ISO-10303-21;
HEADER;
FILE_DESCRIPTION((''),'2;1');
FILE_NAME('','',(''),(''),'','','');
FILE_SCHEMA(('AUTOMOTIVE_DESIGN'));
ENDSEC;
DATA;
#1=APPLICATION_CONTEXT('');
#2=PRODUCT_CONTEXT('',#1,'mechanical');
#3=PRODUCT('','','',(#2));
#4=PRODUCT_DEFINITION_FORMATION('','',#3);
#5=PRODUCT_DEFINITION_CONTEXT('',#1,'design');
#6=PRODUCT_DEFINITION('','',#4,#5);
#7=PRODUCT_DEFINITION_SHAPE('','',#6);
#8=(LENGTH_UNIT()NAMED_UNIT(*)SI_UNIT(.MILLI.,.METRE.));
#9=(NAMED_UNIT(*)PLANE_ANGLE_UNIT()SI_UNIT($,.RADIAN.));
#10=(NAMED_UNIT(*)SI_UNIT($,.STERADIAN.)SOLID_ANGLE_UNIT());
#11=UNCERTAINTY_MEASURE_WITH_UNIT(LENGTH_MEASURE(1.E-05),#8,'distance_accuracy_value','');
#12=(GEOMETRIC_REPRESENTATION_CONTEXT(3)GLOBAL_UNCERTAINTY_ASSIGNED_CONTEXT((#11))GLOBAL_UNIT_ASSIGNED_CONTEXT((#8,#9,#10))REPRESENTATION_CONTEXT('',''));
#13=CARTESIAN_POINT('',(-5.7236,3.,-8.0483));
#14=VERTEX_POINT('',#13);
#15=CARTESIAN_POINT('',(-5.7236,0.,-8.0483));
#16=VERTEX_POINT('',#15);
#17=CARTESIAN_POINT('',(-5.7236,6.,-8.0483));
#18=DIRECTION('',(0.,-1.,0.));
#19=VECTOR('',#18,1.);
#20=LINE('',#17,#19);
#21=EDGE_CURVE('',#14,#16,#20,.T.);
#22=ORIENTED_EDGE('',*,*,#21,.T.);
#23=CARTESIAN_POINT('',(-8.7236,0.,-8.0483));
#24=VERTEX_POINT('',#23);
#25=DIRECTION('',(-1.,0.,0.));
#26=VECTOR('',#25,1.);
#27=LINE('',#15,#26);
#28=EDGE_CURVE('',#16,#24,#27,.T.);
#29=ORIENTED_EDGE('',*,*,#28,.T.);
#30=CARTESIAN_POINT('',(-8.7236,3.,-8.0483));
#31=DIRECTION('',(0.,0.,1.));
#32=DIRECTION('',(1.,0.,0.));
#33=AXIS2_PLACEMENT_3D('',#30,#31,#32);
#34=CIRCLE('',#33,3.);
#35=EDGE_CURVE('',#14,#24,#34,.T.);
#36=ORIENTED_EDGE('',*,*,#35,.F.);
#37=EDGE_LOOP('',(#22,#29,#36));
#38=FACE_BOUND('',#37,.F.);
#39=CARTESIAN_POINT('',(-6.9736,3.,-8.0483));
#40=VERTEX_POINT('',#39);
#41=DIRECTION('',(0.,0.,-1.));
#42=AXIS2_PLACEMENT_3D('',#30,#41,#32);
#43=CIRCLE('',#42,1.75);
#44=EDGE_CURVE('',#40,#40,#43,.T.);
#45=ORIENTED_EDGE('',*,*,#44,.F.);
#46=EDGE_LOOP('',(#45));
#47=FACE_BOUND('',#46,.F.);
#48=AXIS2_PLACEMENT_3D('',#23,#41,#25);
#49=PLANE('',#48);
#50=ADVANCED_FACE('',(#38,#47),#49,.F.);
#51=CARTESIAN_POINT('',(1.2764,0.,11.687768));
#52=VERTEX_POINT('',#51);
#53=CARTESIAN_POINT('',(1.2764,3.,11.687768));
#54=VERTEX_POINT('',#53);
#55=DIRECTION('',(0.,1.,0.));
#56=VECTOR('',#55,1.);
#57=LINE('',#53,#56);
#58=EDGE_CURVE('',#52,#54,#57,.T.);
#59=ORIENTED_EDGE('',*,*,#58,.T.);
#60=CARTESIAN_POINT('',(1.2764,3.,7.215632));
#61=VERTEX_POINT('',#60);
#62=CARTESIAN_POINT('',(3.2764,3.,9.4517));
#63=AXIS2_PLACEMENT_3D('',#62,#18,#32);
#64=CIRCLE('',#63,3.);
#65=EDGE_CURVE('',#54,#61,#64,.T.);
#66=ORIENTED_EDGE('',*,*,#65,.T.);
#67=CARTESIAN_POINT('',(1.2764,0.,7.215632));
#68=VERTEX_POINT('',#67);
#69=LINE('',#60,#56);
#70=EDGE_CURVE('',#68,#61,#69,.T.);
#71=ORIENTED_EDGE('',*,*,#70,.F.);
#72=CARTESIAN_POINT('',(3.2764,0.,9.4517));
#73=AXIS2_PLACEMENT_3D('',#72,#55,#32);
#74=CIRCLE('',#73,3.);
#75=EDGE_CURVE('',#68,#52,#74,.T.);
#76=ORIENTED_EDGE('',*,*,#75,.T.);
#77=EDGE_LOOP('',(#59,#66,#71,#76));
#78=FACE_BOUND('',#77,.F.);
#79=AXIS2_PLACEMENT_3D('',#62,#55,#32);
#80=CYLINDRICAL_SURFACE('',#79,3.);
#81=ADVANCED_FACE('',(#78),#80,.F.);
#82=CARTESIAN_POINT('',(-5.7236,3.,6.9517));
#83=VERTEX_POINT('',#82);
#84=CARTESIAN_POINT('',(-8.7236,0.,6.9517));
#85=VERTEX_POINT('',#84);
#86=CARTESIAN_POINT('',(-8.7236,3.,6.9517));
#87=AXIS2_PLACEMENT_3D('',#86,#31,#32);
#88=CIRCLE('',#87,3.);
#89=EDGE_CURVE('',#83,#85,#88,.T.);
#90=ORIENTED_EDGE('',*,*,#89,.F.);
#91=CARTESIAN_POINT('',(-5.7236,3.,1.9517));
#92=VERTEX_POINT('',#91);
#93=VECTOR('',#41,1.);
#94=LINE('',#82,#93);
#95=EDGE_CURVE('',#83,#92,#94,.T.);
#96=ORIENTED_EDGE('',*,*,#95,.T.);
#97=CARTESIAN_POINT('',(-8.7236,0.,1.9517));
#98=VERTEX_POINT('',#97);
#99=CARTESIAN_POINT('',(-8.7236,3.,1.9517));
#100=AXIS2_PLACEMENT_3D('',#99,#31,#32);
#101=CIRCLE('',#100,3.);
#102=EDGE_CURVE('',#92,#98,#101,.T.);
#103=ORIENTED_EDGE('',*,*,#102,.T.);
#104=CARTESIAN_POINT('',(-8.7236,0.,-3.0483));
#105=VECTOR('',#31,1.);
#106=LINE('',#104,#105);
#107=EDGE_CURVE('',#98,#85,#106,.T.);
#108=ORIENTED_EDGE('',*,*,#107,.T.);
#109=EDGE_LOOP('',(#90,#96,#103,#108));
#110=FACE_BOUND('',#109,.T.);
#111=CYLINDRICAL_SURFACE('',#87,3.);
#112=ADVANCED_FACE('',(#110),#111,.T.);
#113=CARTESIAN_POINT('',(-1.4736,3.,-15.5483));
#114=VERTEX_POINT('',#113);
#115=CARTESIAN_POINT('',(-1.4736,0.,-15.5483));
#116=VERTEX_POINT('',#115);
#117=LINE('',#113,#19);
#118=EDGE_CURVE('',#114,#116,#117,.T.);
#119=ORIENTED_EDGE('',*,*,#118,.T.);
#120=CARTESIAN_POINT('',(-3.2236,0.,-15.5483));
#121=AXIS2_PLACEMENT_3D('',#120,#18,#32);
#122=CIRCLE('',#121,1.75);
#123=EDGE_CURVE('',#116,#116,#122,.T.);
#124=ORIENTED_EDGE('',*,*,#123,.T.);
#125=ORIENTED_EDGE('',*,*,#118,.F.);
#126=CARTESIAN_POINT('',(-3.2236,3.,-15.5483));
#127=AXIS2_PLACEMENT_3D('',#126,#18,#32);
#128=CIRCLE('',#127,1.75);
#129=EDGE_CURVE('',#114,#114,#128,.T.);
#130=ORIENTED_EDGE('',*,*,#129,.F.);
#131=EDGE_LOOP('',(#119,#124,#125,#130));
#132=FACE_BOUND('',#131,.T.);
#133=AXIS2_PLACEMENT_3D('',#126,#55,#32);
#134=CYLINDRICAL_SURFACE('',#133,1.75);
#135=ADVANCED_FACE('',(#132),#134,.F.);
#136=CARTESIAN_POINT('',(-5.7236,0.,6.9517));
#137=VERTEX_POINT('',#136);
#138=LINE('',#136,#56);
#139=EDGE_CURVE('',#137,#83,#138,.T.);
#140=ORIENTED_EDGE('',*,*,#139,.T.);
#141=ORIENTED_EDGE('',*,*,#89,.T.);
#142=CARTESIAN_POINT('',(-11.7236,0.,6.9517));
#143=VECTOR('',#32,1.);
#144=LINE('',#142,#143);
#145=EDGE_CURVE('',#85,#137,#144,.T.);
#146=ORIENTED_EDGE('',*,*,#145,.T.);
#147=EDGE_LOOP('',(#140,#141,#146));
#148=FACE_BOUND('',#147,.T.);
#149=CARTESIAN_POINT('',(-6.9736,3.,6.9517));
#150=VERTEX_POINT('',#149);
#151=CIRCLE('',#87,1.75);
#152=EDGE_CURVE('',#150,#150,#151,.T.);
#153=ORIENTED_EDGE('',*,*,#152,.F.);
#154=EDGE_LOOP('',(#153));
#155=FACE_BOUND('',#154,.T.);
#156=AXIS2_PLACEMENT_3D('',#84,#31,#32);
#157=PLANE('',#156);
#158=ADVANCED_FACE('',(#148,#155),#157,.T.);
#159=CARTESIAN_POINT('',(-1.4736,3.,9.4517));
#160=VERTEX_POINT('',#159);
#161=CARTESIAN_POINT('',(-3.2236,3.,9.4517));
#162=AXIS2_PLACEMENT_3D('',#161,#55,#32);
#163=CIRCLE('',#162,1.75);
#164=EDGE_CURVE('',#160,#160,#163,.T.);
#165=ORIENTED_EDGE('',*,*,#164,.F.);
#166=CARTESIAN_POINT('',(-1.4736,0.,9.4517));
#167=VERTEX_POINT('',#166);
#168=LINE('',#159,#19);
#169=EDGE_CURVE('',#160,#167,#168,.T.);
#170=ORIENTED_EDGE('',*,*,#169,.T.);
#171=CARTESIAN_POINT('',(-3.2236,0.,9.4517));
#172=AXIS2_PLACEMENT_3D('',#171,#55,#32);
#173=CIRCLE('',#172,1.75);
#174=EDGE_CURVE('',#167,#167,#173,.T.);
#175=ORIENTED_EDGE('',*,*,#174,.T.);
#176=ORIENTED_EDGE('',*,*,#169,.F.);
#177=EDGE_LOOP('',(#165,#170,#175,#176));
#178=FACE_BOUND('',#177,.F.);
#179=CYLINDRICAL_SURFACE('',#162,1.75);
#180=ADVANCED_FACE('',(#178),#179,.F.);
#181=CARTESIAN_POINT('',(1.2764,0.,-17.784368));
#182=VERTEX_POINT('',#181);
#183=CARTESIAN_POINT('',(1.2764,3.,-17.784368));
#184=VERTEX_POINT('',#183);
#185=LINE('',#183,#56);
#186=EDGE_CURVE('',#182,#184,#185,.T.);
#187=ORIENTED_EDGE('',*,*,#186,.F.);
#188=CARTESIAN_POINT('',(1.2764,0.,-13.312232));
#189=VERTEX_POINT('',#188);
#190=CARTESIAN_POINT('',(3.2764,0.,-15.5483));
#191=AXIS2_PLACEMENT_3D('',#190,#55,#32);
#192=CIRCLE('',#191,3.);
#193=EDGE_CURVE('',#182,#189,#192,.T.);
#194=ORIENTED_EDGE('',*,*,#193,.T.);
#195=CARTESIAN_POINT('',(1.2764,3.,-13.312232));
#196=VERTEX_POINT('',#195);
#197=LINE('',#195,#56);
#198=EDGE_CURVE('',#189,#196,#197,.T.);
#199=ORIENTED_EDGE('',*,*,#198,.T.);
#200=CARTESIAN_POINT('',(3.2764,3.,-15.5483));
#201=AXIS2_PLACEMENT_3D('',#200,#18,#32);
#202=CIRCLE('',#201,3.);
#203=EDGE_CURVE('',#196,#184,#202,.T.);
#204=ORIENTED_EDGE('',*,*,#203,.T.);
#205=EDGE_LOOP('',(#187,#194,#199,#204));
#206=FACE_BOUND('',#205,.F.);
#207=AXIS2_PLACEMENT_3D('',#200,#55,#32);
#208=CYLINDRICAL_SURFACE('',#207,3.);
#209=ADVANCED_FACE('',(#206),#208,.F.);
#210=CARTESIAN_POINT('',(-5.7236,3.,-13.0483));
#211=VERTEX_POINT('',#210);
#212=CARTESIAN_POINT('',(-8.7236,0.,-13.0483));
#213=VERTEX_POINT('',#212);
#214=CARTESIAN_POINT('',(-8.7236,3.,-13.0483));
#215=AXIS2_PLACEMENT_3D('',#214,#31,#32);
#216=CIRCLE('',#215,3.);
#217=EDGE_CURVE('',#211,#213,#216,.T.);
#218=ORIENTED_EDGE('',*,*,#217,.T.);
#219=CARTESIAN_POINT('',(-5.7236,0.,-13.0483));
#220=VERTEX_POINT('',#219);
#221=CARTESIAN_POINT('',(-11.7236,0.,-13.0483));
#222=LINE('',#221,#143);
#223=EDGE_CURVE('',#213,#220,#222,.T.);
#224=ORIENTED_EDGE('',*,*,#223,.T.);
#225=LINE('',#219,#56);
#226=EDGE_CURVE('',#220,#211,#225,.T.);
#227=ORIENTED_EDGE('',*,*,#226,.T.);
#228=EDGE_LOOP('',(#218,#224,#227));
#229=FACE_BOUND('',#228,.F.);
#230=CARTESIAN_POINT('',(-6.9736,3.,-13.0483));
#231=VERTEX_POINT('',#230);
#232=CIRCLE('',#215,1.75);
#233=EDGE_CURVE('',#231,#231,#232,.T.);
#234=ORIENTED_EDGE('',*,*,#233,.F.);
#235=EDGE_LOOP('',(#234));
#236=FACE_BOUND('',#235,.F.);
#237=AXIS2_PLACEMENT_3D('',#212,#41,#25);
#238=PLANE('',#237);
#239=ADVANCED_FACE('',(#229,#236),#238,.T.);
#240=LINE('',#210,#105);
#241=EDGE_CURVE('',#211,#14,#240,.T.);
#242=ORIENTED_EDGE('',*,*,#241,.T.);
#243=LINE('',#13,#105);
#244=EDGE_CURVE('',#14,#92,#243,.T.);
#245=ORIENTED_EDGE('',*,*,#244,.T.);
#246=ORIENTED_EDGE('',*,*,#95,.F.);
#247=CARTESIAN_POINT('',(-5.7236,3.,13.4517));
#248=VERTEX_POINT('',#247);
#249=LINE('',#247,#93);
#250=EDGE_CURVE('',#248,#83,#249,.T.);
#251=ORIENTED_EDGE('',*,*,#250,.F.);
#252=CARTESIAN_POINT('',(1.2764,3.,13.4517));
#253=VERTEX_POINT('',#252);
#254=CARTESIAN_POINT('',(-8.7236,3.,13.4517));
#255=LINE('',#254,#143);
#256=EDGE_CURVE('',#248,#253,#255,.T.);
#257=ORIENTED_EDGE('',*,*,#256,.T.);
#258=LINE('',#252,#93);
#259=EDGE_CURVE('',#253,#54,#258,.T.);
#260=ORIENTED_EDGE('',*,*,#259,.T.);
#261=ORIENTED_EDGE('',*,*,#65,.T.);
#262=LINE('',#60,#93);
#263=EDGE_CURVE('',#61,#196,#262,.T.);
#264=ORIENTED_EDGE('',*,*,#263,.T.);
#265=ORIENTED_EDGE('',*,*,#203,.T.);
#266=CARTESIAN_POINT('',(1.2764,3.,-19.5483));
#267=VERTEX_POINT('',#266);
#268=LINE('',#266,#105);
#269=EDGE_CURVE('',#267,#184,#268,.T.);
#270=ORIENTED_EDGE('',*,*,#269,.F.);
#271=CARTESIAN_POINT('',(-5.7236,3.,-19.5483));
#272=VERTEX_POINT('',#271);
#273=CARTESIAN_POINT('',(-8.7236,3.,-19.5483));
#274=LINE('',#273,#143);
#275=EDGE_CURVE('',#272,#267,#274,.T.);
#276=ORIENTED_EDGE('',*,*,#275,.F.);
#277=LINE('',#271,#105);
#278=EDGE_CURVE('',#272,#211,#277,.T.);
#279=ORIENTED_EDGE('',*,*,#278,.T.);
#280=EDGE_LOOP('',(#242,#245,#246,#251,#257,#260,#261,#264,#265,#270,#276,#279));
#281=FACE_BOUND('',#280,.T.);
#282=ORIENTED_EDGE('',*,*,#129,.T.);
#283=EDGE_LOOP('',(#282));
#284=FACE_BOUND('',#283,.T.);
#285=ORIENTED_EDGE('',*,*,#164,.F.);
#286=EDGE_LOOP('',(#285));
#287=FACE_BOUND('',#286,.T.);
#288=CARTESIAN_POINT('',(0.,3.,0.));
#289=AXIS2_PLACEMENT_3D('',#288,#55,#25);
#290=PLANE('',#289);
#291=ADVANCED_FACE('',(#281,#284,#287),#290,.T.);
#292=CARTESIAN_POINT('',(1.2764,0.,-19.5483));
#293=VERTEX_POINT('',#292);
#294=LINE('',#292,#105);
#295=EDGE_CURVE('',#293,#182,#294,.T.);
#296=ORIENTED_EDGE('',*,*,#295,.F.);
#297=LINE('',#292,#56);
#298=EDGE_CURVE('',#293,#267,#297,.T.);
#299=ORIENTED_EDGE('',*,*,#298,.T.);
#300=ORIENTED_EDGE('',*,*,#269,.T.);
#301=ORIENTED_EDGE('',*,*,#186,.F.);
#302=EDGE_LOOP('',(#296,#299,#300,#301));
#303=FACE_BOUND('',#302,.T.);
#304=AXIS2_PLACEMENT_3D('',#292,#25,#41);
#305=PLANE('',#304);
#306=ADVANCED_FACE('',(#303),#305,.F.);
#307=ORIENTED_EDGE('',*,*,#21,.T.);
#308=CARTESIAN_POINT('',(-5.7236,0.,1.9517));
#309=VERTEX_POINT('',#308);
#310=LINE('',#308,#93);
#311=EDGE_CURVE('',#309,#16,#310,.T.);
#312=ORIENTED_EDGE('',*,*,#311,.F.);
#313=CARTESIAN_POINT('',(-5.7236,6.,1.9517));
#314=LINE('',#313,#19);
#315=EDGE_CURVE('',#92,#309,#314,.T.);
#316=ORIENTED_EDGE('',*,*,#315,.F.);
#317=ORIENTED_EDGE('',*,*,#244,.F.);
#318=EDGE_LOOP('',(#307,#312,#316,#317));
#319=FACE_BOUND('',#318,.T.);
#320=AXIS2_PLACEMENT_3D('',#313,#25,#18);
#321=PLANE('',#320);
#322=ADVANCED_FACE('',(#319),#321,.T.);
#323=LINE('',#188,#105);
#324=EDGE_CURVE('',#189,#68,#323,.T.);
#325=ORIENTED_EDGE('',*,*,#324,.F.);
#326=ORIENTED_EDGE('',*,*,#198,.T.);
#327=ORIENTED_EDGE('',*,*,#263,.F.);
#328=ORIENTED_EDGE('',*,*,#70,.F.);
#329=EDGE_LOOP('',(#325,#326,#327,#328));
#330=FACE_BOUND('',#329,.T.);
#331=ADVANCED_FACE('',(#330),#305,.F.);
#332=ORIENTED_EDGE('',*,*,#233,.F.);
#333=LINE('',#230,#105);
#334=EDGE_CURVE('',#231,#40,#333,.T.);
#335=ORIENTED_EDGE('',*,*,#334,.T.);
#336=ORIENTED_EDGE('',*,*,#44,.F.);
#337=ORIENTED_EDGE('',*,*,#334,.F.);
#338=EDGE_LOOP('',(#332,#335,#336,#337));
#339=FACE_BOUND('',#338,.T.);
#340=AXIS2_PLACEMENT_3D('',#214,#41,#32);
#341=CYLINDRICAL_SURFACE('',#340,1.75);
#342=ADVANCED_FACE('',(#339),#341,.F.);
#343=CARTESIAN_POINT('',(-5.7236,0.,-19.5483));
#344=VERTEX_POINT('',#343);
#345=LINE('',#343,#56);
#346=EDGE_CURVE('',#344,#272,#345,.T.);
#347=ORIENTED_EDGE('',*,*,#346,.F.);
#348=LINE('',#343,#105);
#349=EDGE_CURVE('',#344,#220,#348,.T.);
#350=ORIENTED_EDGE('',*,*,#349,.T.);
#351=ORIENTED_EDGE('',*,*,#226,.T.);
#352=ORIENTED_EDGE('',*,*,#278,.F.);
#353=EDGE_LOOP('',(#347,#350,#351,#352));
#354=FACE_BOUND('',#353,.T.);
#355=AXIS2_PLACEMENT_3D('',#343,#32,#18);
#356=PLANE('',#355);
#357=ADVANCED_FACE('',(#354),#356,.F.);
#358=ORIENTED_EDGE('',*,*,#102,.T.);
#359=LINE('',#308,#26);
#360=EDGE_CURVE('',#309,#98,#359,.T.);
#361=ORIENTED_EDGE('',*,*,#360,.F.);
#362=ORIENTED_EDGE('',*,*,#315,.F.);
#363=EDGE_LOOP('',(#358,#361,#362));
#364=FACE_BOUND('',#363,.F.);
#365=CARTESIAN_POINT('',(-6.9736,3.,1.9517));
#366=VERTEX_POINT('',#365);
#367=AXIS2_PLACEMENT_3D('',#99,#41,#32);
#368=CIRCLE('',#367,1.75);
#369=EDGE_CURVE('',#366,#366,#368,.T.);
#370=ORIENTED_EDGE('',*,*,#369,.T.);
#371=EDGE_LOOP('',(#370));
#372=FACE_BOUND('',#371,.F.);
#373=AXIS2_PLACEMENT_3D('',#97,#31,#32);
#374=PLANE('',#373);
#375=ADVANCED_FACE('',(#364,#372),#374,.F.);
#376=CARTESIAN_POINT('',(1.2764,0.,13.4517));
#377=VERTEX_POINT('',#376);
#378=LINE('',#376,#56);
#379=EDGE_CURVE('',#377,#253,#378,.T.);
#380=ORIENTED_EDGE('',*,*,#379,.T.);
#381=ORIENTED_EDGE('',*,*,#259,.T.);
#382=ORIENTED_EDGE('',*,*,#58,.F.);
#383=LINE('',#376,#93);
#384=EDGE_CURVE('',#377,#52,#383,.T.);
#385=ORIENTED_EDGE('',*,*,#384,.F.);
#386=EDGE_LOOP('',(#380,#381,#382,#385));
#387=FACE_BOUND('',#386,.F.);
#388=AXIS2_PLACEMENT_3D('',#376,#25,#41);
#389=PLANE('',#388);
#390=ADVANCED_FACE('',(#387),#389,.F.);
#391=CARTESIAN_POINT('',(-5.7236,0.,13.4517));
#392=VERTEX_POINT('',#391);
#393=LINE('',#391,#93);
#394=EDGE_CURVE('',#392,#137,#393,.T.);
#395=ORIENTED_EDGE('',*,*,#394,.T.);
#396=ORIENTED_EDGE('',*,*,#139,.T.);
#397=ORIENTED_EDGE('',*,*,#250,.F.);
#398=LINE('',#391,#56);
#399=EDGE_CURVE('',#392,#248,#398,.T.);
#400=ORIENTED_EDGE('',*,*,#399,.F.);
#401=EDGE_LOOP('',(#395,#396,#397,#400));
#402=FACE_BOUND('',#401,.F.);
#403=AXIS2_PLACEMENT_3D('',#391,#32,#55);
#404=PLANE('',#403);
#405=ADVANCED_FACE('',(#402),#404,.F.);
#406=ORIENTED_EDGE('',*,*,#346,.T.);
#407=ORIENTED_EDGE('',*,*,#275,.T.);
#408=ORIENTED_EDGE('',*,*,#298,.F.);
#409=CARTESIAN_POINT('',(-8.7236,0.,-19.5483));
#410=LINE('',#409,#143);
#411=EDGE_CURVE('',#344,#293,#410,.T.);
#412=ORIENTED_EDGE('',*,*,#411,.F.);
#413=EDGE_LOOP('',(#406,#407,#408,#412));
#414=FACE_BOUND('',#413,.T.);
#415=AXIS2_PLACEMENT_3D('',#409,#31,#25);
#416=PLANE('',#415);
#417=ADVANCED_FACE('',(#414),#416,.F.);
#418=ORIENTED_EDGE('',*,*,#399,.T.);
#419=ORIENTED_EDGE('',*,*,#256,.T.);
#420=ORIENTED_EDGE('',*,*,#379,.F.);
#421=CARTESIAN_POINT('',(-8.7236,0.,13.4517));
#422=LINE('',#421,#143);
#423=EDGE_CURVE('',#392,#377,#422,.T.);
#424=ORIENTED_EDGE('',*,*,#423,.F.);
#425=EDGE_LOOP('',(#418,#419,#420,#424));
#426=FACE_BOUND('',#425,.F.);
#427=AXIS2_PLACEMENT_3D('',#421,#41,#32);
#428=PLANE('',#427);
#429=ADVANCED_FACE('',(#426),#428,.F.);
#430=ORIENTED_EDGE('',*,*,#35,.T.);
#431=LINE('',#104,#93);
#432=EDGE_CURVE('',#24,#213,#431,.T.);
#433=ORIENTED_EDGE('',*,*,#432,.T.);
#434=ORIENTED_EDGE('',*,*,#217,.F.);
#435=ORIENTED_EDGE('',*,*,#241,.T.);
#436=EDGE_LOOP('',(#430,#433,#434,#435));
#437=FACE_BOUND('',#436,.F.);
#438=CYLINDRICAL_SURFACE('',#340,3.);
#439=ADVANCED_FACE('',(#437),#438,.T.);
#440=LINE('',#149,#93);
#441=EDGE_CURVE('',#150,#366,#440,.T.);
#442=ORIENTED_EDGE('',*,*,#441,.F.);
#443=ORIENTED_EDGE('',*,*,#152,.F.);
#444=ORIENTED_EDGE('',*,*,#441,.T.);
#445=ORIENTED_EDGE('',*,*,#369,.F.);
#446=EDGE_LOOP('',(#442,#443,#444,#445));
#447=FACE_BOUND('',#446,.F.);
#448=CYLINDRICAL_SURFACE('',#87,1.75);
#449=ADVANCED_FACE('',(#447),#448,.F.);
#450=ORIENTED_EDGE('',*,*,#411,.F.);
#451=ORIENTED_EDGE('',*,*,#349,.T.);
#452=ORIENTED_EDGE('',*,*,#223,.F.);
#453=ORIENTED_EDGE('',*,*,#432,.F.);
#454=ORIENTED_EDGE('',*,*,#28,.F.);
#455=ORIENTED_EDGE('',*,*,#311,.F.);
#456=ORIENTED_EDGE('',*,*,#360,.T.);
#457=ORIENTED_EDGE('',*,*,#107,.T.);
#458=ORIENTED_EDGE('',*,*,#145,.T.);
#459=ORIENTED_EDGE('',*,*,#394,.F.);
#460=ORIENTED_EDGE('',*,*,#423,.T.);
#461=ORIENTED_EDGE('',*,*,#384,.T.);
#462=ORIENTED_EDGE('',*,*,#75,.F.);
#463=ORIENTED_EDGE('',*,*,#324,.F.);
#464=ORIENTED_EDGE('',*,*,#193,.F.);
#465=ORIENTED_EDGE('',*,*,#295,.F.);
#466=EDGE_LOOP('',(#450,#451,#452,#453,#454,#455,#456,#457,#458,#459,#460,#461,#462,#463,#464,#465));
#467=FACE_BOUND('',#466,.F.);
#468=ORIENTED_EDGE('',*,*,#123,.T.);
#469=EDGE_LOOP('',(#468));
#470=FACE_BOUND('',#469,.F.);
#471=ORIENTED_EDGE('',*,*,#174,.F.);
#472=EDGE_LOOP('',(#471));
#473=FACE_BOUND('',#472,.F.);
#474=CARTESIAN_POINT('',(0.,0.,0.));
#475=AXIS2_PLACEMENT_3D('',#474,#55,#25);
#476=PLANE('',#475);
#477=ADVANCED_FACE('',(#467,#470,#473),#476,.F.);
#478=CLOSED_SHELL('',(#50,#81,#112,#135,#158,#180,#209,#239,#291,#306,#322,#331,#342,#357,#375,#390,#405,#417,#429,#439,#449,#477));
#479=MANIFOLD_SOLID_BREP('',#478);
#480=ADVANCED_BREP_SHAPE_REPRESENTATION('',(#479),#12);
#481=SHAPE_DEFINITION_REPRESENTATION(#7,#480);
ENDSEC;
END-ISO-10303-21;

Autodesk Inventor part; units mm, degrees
ref_plane "YZ Plane" through (0, 0, 0) normal (1, 0, 0) x (0, 1, 0)
ref_plane "XZ Plane" through (0, 0, 0) normal (0, 1, 0) x (-1, 0, 0)
ref_plane "XY Plane" through (0, 0, 0) normal (0, 0, 1) x (1, 0, 0)
sketch "Sketch2" plane through (0, 0, 0) normal (0, 1, 0) x (-1, 0, 0)
  line L0 (8.7236, 13.4517) -> (-1.2764, 13.4517)
  line L1 (-1.2764, 13.4517) -> (-1.2764, -3.0483)
  line L2 (-1.2764, -3.0483) -> (8.7236, -3.0483)
  line L3 (8.7236, -3.0483) -> (8.7236, 13.4517)
  point P0 (0, 0)
  dimension "d2" = 10
  dimension "d3" = 16.5
extrude "Extrusion1" add sketch "Sketch2" along normal blind 3
ref_plane "Work Plane1" through (-8.7236, 0, 6.9517) normal (0, 0, 1) x (1, 0, 0)
sketch "Sketch5" plane through (-8.7236, 0, 13.4517) normal (0, 0, 1) x (1, 0, 0)
  line L0 (0, 3) -> (10, 3) projected
  line L1 (-3, 0) -> (3, 0)
  line L2 (3, 0) -> (3, 6)
  line L3 (3, 6) -> (-3, 6)
  line L4 (-3, 6) -> (-3, 0)
  line L5 (0, 0) -> (10, 0) projected
  point P0 (8.7236, 0)
  dimension "d41" = 6
  dimension "d42" = 6
  dimension "d43" = 3
extrude "Extrusion4" cut sketch "Sketch5" against normal blind 6.5
sketch "Sketch6" plane through (-8.7236, 0, 6.9517) normal (0, 0, 1) x (1, 0, 0)
  circle A0 centre (0, 3) radius 3
  arc A1 (0, 0) -> (3, 3) centre (0, 3) ccw projected
  point P0 (8.7236, 0)
  point P1 (0, 0.5)
  dimension "d16" = 6
extrude "Extrusion5" add sketch "Sketch6" against normal blind 5
sketch "Sketch7" plane through (-8.7236, 0, 6.9517) normal (0, 0, 1) x (1, 0, 0)
  arc A0 (3, 3) -> (0, 0) centre (0, 3) ccw projected
  circle A1 centre (0, 3) radius 1.75
  line L0 (3, 0) -> (0, 0) projected
  line L1 (3, 3) -> (3, 0) projected
  point P0 (8.7236, 0)
  dimension "d20" = 3.5
extrude "Extrusion6" cut sketch "Sketch7" against normal up to next contours A1
sketch "Sketch9" plane through (0, 3, 0) normal (0, 1, 0) x (1, 0, 0)
  circle A0 centre (-3.2236, -9.4517) radius 1.75
  line L0 (1.2764, -13.4517) -> (1.2764, 3.0483) projected
  line L1 (-5.7236, -13.4517) -> (1.2764, -13.4517) projected
  point P0 (0, 0)
  dimension "d28" = 3.5
  dimension "d29" = 4.5
  dimension "d30" = 4
extrude "Extrusion8" cut sketch "Sketch9" against normal up to next
mirror "Mirror2" about plane through (1.2764, 0, -3.0483) normal (0, 0, -1)
sketch "Sketch10" plane through (0, 3, 0) normal (0, 1, 0) x (1, 0, 0)
  circle A0 centre (3.2764, -9.4517) radius 3
  circle A1 centre (3.2764, 15.5483) radius 3
  line L0 (1.2764, -13.4517) -> (1.2764, 19.5483) projected
  point P0 (0, 0)
  dimension "d33" = 6
  dimension "d34" = 6
  dimension "d35" = 2
  dimension "d36" = 4
  dimension "d37" = 4
  dimension "d40" = 2
extrude "Extrusion9" cut sketch "Sketch10" against normal through all
sketch "Sketch11" plane through (-8.7236, 0, 1.9517) normal (0, 0, -1) x (-1, 0, 0)
  line L0 (-3, 0) -> (-10, 0) projected
  line L1 (-3, 0) -> (3, 0)
  line L2 (3, 0) -> (3, 6)
  line L3 (3, 6) -> (-3, 6)
  line L4 (-3, 6) -> (-3, 0)
  point P0 (-8.7236, 0)
  dimension "d44" = 6
  dimension "d45" = 6
extrude "Extrusion10" cut sketch "Sketch11" along normal blind 10
equation "\"d33\" = d34"
equation "\"d37\" = d36"
equation "\"d40\" = d35"
properties part number "k2_hinge1_bot"
